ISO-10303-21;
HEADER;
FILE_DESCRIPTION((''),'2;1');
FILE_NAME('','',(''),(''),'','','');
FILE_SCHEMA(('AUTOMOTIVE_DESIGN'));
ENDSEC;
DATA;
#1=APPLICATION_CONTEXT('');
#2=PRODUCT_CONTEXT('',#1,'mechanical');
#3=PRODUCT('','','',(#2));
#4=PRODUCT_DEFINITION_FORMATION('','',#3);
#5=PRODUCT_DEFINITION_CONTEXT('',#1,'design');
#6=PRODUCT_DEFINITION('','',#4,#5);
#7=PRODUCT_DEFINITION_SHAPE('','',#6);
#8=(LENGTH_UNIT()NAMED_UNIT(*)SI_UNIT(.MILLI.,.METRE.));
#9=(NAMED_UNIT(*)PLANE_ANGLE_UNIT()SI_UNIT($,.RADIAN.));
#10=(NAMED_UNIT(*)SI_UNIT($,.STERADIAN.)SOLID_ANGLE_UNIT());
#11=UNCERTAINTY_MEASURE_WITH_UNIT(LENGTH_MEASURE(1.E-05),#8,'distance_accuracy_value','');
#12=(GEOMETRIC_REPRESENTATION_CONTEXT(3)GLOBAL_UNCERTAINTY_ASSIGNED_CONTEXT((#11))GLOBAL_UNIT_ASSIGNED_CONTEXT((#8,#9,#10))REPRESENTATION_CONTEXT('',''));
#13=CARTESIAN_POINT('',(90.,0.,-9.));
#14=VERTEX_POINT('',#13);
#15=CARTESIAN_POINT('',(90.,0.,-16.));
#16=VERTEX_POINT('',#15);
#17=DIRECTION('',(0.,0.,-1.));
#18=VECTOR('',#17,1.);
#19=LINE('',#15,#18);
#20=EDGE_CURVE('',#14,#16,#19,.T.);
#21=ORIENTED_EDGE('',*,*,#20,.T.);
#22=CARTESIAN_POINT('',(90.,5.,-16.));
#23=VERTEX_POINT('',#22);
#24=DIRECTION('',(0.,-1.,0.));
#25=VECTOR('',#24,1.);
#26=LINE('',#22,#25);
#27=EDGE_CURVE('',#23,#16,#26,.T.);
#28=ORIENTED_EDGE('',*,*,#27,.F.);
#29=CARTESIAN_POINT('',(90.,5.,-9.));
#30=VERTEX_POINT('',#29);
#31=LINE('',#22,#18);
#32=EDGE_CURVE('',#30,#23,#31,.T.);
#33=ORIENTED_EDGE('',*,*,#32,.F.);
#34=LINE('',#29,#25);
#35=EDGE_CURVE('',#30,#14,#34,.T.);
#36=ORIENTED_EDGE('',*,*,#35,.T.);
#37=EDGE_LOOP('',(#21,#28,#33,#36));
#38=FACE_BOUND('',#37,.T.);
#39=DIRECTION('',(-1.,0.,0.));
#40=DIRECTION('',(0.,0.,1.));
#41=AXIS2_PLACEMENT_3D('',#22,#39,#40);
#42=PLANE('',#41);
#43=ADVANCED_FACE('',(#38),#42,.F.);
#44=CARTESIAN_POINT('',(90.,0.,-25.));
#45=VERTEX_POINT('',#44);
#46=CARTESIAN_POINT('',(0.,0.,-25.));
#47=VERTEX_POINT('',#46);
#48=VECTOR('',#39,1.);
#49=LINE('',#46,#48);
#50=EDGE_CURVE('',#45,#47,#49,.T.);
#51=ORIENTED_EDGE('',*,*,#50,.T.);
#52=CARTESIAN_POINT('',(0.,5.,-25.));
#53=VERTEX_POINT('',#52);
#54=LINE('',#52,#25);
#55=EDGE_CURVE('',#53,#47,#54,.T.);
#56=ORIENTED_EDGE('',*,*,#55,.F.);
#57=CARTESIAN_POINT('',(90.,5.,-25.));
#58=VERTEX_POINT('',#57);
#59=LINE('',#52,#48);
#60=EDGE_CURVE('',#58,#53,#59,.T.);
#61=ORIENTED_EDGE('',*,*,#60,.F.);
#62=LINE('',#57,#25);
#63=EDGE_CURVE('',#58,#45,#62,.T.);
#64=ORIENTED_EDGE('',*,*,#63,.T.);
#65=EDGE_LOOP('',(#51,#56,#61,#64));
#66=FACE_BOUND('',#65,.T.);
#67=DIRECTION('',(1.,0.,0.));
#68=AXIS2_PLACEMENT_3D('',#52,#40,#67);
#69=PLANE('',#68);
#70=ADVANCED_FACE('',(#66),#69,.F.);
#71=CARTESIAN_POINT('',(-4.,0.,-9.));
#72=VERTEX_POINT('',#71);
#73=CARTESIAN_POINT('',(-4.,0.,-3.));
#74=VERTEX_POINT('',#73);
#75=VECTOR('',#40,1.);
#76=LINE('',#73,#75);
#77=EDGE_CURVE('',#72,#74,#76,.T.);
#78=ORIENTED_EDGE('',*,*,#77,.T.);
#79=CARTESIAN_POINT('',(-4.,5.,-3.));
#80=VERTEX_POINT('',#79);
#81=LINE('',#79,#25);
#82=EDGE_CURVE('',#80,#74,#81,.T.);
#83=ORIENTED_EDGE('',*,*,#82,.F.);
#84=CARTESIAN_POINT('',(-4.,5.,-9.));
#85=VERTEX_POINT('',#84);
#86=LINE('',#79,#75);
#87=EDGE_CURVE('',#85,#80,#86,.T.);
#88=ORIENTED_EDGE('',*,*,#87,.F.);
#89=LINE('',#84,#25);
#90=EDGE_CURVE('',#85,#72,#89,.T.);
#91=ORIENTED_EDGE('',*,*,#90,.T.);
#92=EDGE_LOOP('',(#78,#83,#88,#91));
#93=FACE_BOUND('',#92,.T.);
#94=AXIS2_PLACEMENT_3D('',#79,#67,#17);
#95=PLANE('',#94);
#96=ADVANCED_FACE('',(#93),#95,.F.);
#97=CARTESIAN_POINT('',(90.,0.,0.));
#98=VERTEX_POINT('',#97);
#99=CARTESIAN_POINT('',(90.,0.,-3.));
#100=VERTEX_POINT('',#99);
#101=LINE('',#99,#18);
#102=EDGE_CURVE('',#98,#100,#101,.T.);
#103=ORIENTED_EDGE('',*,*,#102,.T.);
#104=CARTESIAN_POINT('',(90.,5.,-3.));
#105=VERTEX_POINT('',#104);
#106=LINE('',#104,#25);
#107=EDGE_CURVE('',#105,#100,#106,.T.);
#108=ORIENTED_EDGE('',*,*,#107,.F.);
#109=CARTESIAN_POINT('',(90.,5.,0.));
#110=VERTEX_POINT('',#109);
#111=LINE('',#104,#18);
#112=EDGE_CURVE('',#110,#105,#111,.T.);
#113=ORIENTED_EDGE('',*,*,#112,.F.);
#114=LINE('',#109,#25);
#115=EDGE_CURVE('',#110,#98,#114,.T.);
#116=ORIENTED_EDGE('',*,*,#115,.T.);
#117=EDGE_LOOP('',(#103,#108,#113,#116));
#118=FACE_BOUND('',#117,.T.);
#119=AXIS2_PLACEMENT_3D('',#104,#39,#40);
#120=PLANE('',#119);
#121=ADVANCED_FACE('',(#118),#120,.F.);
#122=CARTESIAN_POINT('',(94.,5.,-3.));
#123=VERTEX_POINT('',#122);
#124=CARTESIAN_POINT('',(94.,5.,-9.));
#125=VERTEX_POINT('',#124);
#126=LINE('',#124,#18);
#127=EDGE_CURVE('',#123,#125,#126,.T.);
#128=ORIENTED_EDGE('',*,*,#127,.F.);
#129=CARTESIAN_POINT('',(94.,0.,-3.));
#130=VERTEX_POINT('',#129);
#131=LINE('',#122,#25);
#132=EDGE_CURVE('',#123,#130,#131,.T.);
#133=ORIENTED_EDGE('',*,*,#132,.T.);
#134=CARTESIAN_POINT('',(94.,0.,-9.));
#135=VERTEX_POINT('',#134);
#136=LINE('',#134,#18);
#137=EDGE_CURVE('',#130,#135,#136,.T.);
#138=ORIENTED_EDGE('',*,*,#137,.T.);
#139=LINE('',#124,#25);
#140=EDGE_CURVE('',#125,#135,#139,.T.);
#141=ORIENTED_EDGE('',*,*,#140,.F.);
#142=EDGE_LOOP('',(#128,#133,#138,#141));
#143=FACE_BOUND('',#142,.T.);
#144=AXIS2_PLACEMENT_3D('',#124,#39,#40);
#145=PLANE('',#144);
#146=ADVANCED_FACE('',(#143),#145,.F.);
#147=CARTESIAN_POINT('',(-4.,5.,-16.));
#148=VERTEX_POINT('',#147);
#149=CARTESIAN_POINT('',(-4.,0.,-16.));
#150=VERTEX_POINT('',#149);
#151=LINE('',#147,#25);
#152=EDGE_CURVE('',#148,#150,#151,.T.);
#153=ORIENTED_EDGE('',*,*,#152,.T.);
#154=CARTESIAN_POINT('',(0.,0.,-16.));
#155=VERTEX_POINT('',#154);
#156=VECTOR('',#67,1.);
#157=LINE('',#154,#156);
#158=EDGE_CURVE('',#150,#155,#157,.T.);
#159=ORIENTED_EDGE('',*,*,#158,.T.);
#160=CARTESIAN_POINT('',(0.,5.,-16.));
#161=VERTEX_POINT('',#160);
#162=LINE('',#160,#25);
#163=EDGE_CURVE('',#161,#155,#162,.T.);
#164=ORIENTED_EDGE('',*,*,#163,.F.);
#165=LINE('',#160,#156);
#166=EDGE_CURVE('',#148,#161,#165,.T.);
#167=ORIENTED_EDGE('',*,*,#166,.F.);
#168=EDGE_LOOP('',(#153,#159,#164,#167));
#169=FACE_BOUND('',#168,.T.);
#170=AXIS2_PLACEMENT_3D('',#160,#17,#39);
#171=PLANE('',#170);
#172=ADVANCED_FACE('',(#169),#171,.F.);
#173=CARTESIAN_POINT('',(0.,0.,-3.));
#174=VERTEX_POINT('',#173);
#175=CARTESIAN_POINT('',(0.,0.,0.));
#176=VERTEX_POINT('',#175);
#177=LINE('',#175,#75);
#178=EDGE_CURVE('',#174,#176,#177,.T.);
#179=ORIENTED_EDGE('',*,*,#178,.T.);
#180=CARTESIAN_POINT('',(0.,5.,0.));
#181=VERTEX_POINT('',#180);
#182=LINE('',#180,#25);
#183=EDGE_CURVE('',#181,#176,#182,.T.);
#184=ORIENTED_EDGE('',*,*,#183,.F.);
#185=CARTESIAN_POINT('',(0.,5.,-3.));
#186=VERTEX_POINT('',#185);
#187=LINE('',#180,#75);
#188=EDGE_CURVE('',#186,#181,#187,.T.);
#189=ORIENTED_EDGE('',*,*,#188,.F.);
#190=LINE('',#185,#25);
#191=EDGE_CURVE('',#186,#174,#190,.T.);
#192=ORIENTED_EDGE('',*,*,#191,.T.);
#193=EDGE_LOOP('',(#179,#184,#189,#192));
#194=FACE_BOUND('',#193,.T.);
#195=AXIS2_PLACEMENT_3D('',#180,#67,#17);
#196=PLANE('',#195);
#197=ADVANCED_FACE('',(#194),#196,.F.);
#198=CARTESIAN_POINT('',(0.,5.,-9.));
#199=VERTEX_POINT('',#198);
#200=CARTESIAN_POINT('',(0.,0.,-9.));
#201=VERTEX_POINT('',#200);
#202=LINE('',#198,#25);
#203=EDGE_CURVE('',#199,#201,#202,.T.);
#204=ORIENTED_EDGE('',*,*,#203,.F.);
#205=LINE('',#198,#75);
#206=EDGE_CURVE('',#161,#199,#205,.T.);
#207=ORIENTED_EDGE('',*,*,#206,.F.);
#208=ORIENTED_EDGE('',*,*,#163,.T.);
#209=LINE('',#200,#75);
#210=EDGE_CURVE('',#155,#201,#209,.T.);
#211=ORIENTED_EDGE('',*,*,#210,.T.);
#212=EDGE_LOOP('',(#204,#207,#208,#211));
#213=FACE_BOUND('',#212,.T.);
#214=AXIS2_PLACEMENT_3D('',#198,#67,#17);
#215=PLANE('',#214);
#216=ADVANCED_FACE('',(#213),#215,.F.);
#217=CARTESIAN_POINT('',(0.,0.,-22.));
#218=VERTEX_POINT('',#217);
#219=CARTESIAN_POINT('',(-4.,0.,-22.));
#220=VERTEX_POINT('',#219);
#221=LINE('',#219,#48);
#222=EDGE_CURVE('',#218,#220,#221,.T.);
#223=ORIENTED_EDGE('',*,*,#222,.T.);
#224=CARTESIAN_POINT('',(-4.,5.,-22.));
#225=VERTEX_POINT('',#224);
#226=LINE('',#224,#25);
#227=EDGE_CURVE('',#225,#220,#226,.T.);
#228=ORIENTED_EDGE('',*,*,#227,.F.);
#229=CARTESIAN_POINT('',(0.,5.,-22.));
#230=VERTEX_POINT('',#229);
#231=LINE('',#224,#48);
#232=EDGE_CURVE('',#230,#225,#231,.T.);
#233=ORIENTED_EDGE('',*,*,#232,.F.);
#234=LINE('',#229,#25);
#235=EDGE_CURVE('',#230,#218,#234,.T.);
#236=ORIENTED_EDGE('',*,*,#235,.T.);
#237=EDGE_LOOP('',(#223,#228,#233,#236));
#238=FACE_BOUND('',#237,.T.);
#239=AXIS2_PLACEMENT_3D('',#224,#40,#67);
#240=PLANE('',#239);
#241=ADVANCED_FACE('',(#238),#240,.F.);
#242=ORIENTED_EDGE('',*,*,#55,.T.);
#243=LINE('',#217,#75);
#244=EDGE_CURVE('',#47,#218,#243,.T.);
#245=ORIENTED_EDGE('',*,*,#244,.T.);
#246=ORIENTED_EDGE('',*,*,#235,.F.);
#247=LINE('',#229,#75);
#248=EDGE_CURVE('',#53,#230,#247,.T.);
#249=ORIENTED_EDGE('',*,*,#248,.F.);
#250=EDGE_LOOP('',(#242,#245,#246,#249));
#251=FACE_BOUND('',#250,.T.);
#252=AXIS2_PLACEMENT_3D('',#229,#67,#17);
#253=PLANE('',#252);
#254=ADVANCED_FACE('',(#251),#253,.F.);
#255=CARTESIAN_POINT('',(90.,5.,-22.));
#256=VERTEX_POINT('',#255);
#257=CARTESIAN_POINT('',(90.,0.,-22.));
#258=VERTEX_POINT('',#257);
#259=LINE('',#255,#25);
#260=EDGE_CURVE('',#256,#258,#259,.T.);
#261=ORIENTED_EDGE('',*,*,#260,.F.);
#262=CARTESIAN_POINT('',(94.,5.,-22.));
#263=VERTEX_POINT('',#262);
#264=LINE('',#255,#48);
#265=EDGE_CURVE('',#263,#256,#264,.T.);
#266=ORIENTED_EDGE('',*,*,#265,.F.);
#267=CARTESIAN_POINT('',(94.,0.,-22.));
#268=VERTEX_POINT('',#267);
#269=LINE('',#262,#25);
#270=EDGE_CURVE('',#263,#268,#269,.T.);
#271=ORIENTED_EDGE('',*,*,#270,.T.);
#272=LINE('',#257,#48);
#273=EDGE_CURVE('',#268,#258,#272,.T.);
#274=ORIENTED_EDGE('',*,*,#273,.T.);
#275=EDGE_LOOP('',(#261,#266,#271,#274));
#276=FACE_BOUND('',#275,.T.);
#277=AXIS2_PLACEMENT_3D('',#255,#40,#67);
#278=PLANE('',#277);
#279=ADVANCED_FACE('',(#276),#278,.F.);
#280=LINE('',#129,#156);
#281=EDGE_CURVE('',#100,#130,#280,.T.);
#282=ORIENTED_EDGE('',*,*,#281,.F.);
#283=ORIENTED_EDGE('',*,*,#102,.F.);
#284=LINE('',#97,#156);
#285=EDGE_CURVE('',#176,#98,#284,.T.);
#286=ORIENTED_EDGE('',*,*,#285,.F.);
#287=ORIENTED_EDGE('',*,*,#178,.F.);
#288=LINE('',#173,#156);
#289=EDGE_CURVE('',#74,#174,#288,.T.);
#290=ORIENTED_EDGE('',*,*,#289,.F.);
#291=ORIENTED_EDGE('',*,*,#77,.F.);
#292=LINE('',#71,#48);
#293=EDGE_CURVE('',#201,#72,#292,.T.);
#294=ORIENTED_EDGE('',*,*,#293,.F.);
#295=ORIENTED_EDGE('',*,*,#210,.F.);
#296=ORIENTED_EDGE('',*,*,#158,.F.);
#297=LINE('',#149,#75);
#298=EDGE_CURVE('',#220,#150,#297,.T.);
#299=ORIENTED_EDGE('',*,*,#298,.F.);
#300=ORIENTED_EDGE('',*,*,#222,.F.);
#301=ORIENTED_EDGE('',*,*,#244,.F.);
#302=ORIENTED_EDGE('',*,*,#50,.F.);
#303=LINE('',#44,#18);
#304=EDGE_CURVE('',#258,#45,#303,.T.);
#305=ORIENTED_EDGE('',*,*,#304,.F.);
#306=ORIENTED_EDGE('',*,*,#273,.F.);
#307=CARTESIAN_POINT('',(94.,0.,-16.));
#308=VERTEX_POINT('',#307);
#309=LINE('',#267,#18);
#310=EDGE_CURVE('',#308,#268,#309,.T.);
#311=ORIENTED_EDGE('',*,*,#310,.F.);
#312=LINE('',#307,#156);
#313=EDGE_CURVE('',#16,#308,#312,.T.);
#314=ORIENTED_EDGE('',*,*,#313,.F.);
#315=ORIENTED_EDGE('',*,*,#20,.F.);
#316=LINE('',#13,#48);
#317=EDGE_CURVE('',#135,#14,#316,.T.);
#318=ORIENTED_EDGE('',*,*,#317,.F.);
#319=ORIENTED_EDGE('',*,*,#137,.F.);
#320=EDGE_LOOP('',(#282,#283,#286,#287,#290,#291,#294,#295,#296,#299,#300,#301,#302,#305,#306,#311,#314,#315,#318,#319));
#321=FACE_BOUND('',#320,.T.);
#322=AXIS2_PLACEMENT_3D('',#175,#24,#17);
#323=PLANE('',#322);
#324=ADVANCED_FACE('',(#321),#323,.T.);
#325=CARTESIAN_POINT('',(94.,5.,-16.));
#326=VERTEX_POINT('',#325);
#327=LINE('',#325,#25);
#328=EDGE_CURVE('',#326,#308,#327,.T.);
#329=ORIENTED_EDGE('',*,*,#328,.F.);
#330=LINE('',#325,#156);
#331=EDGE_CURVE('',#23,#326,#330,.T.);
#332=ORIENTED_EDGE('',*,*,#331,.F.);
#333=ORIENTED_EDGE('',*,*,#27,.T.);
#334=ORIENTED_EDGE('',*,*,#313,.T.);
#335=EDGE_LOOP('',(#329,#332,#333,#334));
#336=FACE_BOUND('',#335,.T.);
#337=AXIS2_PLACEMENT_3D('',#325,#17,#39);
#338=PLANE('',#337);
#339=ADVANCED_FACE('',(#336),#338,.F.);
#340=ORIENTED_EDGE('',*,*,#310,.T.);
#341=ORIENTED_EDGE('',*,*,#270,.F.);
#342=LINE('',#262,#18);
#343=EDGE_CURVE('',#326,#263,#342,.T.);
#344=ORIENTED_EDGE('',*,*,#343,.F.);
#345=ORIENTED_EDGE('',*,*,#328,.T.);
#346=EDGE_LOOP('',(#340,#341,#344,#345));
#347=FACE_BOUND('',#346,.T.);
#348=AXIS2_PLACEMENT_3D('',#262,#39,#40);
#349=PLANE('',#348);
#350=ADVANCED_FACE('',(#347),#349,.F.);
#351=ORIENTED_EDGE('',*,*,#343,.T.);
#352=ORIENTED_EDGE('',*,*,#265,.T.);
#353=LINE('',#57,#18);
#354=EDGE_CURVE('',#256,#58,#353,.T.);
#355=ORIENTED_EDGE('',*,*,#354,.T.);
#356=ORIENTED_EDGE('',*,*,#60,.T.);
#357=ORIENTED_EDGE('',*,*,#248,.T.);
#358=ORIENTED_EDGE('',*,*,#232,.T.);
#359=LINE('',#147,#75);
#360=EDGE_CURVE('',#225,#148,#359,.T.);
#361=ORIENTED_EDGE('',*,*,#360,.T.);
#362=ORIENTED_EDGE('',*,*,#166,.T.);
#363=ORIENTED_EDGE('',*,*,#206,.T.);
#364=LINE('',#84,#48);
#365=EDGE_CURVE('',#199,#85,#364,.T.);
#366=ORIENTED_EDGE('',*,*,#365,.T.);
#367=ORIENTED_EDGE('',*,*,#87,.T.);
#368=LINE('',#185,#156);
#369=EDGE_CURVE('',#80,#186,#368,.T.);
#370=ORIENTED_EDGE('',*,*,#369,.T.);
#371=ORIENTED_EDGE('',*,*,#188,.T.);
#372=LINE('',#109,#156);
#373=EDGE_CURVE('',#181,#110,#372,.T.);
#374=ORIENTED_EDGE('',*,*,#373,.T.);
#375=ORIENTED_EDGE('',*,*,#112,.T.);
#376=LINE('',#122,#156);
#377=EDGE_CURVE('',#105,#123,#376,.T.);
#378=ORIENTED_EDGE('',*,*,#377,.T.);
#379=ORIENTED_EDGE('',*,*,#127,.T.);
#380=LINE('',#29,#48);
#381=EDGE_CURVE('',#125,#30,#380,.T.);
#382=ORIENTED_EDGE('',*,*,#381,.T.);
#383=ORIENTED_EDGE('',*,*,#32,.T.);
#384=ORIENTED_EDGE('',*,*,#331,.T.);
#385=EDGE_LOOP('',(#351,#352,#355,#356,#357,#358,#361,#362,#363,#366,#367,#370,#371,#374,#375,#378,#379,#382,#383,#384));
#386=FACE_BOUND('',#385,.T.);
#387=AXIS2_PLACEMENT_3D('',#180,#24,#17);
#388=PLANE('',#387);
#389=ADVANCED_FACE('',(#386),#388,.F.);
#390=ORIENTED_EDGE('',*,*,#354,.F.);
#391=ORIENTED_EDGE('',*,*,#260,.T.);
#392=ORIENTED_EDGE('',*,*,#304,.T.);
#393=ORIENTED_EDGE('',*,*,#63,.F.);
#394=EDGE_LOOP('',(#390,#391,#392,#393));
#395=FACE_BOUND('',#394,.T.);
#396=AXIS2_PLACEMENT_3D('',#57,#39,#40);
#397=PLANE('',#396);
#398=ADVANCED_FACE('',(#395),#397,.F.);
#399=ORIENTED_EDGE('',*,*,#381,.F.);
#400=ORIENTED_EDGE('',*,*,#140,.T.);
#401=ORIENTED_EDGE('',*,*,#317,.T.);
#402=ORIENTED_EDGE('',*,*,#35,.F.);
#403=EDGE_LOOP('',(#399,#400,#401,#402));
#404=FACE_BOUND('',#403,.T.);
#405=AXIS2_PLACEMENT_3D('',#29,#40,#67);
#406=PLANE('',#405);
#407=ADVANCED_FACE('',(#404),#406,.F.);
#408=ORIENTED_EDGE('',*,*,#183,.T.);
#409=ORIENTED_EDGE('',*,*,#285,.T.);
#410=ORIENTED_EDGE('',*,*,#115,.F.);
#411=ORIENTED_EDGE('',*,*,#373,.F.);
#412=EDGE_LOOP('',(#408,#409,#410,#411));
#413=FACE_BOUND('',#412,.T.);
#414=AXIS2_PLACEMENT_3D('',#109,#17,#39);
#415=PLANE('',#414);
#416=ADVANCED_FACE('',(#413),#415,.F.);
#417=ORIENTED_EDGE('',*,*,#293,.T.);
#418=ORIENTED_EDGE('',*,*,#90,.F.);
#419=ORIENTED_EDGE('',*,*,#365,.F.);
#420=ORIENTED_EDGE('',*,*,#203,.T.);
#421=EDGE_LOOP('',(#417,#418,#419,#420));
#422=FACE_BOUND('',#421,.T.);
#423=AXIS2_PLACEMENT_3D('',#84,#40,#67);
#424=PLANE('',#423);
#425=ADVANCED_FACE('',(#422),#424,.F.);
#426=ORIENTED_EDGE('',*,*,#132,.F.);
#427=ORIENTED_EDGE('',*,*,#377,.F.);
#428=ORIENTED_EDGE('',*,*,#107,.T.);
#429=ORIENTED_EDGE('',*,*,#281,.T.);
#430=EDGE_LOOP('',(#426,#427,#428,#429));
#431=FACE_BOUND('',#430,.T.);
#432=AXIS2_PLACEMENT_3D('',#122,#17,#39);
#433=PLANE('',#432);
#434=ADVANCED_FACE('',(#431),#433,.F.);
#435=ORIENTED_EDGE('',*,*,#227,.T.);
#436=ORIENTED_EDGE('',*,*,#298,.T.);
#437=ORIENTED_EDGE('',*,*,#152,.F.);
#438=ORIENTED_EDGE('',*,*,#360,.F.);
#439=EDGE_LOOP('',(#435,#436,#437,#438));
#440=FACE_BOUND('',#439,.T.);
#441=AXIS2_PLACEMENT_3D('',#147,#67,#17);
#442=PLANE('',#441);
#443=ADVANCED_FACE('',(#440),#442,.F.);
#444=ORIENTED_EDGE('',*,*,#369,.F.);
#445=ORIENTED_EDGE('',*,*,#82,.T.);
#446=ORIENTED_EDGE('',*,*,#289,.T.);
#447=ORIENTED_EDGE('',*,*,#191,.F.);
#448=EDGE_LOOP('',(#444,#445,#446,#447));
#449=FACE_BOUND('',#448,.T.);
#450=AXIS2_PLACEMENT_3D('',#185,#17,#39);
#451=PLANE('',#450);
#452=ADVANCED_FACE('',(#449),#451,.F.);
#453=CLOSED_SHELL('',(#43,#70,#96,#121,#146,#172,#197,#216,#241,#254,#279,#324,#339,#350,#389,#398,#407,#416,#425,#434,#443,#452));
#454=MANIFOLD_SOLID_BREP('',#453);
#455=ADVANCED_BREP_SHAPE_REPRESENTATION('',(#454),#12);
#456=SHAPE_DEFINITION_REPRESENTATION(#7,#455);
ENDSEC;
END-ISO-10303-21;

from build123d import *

# Parameters (mm, degrees)
BOSS_EXTRUDE1_DEPTH = 5


with BuildPart() as part:
    # Sketch1 → Boss-Extrude1 (new body)
    with BuildSketch(Plane(origin=(0, 0, 0), x_dir=(1, 0, 0), z_dir=(0, 1, 0))):
        Polygon((0, 0), (0, 3), (-4, 3), (-4, 9), (0, 9), (0, 16), (-4, 16), (-4, 22), (0, 22), (0, 25), (90, 25), (90, 22), (94, 22), (94, 16), (90, 16), (90, 9), (94, 9), (94, 3), (90, 3), (90, 0), align=None)
    extrude(amount=BOSS_EXTRUDE1_DEPTH)


solid = part.part
